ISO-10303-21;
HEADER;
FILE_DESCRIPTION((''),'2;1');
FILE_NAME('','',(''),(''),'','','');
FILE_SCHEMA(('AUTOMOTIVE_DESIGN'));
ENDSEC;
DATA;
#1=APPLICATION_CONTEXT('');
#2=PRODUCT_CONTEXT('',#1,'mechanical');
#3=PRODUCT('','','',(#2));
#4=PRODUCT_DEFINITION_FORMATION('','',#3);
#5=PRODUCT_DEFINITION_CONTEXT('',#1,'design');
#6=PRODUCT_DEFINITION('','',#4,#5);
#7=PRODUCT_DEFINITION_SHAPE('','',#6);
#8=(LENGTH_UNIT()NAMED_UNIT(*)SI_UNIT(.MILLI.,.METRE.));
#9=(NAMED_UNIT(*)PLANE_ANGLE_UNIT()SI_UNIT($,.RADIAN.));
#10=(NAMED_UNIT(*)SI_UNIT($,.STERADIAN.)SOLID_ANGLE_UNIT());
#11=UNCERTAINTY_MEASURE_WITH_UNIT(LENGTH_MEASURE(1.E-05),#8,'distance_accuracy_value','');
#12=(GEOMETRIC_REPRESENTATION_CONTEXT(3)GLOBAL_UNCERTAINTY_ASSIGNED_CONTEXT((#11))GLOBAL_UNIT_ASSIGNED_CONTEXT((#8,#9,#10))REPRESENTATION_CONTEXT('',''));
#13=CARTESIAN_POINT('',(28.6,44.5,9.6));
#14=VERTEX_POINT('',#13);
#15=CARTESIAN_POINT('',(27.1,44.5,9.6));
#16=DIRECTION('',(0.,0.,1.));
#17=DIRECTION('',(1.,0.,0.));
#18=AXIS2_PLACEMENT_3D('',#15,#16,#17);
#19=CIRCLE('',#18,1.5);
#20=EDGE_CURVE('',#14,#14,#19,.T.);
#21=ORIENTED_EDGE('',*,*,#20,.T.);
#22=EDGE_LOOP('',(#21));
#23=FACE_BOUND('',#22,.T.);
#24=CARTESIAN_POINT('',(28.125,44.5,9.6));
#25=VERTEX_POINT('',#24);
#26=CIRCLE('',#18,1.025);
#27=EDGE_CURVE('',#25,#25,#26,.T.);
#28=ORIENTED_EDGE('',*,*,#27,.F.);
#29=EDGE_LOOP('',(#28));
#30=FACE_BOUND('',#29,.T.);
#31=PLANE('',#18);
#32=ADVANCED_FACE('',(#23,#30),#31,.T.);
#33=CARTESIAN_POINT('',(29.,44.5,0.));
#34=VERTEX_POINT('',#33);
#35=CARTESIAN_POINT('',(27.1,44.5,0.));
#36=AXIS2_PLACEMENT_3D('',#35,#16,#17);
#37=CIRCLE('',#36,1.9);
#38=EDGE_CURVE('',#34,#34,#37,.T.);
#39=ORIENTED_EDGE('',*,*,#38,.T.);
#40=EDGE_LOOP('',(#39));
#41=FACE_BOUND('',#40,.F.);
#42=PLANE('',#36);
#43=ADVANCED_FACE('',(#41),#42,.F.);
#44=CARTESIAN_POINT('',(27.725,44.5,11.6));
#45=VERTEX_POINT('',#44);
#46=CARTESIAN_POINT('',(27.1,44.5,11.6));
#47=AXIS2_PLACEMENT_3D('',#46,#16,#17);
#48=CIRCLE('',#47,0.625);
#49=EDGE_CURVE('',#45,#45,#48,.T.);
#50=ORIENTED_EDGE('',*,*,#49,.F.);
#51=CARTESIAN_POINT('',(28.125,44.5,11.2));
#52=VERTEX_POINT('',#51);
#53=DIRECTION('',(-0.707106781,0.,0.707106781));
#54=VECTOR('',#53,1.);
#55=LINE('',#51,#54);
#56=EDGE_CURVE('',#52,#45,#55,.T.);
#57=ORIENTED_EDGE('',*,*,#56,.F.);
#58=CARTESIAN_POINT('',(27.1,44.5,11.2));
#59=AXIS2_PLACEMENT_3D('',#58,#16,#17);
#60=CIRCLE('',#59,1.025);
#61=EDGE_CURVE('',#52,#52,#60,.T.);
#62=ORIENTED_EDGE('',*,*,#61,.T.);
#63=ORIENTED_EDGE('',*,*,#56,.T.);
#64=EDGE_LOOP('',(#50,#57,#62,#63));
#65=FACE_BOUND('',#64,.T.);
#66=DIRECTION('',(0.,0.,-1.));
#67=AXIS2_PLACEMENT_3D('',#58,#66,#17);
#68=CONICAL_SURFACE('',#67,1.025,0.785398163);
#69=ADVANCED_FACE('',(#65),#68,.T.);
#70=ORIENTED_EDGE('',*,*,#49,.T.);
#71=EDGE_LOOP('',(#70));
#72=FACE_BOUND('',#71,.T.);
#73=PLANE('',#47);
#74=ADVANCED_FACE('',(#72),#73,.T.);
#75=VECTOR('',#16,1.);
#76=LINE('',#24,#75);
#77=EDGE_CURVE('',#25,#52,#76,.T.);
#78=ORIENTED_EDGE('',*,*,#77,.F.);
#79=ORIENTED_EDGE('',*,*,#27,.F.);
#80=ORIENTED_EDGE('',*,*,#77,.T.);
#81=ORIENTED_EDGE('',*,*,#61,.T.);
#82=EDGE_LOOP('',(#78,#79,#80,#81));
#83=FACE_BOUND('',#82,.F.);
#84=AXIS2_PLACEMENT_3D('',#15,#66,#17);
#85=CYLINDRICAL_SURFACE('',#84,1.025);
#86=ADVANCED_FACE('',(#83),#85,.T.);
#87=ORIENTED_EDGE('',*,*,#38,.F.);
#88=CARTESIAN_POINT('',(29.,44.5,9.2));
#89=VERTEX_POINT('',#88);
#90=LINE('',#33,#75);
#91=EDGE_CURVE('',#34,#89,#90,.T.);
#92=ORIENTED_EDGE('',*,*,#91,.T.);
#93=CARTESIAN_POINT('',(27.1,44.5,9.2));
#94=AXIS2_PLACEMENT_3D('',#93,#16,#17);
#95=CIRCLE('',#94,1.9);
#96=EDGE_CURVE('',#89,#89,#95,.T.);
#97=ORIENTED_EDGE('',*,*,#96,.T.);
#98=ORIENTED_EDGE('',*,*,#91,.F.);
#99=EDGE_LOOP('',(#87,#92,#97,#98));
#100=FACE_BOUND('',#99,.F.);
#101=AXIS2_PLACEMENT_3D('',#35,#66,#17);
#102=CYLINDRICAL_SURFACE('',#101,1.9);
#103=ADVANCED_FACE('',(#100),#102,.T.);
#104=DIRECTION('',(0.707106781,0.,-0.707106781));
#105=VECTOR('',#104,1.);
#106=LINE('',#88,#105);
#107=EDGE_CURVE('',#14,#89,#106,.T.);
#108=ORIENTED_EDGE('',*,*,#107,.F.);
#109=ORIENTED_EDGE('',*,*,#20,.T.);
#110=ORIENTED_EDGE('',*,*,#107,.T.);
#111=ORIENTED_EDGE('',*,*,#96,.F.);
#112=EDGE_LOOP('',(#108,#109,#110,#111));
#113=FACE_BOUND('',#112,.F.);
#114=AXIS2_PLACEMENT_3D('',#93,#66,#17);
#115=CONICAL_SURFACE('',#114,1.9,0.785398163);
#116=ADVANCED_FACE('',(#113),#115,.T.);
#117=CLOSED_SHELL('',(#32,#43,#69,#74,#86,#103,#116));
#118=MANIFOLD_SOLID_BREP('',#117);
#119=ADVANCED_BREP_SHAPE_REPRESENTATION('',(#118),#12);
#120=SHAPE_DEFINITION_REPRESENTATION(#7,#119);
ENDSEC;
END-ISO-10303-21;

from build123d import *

# Parameters (mm, degrees)
SKETCH012_R     = 1.9
PAD005_DEPTH    = 9.6
SKETCH013_R     = 1.025
PAD006_DEPTH    = 2
CHAMFER002_SIZE = 0.4
CHAMFER003_SIZE = 0.4


with BuildPart() as part:
    # Sketch012 → Pad005 (new body)
    with BuildSketch(Plane.XY):
        Circle(SKETCH012_R)
    extrude(amount=PAD005_DEPTH)

    # Sketch013 (on Face3 of Pad005) → Pad006 (join)
    with BuildSketch(Plane.XY.offset(9.6)):
        Circle(SKETCH013_R)
    extrude(amount=PAD006_DEPTH)

    # Chamfer002
    chamfer002_edges = [part.edges().sort_by_distance(p)[0] for p in [
        (-1.025, 0, 11.6),
    ]]
    chamfer(chamfer002_edges, length=CHAMFER002_SIZE)

    # Chamfer003
    chamfer003_edges = [part.edges().sort_by_distance(p)[0] for p in [
        (-1.9, 0, 9.6),
    ]]
    chamfer(chamfer003_edges, length=CHAMFER003_SIZE)


with BuildPart() as part_1:
    # Body002 placement: moved
    add(part.part.moved(Location((27.1, 44.5, 0))))


solid = part_1.part
